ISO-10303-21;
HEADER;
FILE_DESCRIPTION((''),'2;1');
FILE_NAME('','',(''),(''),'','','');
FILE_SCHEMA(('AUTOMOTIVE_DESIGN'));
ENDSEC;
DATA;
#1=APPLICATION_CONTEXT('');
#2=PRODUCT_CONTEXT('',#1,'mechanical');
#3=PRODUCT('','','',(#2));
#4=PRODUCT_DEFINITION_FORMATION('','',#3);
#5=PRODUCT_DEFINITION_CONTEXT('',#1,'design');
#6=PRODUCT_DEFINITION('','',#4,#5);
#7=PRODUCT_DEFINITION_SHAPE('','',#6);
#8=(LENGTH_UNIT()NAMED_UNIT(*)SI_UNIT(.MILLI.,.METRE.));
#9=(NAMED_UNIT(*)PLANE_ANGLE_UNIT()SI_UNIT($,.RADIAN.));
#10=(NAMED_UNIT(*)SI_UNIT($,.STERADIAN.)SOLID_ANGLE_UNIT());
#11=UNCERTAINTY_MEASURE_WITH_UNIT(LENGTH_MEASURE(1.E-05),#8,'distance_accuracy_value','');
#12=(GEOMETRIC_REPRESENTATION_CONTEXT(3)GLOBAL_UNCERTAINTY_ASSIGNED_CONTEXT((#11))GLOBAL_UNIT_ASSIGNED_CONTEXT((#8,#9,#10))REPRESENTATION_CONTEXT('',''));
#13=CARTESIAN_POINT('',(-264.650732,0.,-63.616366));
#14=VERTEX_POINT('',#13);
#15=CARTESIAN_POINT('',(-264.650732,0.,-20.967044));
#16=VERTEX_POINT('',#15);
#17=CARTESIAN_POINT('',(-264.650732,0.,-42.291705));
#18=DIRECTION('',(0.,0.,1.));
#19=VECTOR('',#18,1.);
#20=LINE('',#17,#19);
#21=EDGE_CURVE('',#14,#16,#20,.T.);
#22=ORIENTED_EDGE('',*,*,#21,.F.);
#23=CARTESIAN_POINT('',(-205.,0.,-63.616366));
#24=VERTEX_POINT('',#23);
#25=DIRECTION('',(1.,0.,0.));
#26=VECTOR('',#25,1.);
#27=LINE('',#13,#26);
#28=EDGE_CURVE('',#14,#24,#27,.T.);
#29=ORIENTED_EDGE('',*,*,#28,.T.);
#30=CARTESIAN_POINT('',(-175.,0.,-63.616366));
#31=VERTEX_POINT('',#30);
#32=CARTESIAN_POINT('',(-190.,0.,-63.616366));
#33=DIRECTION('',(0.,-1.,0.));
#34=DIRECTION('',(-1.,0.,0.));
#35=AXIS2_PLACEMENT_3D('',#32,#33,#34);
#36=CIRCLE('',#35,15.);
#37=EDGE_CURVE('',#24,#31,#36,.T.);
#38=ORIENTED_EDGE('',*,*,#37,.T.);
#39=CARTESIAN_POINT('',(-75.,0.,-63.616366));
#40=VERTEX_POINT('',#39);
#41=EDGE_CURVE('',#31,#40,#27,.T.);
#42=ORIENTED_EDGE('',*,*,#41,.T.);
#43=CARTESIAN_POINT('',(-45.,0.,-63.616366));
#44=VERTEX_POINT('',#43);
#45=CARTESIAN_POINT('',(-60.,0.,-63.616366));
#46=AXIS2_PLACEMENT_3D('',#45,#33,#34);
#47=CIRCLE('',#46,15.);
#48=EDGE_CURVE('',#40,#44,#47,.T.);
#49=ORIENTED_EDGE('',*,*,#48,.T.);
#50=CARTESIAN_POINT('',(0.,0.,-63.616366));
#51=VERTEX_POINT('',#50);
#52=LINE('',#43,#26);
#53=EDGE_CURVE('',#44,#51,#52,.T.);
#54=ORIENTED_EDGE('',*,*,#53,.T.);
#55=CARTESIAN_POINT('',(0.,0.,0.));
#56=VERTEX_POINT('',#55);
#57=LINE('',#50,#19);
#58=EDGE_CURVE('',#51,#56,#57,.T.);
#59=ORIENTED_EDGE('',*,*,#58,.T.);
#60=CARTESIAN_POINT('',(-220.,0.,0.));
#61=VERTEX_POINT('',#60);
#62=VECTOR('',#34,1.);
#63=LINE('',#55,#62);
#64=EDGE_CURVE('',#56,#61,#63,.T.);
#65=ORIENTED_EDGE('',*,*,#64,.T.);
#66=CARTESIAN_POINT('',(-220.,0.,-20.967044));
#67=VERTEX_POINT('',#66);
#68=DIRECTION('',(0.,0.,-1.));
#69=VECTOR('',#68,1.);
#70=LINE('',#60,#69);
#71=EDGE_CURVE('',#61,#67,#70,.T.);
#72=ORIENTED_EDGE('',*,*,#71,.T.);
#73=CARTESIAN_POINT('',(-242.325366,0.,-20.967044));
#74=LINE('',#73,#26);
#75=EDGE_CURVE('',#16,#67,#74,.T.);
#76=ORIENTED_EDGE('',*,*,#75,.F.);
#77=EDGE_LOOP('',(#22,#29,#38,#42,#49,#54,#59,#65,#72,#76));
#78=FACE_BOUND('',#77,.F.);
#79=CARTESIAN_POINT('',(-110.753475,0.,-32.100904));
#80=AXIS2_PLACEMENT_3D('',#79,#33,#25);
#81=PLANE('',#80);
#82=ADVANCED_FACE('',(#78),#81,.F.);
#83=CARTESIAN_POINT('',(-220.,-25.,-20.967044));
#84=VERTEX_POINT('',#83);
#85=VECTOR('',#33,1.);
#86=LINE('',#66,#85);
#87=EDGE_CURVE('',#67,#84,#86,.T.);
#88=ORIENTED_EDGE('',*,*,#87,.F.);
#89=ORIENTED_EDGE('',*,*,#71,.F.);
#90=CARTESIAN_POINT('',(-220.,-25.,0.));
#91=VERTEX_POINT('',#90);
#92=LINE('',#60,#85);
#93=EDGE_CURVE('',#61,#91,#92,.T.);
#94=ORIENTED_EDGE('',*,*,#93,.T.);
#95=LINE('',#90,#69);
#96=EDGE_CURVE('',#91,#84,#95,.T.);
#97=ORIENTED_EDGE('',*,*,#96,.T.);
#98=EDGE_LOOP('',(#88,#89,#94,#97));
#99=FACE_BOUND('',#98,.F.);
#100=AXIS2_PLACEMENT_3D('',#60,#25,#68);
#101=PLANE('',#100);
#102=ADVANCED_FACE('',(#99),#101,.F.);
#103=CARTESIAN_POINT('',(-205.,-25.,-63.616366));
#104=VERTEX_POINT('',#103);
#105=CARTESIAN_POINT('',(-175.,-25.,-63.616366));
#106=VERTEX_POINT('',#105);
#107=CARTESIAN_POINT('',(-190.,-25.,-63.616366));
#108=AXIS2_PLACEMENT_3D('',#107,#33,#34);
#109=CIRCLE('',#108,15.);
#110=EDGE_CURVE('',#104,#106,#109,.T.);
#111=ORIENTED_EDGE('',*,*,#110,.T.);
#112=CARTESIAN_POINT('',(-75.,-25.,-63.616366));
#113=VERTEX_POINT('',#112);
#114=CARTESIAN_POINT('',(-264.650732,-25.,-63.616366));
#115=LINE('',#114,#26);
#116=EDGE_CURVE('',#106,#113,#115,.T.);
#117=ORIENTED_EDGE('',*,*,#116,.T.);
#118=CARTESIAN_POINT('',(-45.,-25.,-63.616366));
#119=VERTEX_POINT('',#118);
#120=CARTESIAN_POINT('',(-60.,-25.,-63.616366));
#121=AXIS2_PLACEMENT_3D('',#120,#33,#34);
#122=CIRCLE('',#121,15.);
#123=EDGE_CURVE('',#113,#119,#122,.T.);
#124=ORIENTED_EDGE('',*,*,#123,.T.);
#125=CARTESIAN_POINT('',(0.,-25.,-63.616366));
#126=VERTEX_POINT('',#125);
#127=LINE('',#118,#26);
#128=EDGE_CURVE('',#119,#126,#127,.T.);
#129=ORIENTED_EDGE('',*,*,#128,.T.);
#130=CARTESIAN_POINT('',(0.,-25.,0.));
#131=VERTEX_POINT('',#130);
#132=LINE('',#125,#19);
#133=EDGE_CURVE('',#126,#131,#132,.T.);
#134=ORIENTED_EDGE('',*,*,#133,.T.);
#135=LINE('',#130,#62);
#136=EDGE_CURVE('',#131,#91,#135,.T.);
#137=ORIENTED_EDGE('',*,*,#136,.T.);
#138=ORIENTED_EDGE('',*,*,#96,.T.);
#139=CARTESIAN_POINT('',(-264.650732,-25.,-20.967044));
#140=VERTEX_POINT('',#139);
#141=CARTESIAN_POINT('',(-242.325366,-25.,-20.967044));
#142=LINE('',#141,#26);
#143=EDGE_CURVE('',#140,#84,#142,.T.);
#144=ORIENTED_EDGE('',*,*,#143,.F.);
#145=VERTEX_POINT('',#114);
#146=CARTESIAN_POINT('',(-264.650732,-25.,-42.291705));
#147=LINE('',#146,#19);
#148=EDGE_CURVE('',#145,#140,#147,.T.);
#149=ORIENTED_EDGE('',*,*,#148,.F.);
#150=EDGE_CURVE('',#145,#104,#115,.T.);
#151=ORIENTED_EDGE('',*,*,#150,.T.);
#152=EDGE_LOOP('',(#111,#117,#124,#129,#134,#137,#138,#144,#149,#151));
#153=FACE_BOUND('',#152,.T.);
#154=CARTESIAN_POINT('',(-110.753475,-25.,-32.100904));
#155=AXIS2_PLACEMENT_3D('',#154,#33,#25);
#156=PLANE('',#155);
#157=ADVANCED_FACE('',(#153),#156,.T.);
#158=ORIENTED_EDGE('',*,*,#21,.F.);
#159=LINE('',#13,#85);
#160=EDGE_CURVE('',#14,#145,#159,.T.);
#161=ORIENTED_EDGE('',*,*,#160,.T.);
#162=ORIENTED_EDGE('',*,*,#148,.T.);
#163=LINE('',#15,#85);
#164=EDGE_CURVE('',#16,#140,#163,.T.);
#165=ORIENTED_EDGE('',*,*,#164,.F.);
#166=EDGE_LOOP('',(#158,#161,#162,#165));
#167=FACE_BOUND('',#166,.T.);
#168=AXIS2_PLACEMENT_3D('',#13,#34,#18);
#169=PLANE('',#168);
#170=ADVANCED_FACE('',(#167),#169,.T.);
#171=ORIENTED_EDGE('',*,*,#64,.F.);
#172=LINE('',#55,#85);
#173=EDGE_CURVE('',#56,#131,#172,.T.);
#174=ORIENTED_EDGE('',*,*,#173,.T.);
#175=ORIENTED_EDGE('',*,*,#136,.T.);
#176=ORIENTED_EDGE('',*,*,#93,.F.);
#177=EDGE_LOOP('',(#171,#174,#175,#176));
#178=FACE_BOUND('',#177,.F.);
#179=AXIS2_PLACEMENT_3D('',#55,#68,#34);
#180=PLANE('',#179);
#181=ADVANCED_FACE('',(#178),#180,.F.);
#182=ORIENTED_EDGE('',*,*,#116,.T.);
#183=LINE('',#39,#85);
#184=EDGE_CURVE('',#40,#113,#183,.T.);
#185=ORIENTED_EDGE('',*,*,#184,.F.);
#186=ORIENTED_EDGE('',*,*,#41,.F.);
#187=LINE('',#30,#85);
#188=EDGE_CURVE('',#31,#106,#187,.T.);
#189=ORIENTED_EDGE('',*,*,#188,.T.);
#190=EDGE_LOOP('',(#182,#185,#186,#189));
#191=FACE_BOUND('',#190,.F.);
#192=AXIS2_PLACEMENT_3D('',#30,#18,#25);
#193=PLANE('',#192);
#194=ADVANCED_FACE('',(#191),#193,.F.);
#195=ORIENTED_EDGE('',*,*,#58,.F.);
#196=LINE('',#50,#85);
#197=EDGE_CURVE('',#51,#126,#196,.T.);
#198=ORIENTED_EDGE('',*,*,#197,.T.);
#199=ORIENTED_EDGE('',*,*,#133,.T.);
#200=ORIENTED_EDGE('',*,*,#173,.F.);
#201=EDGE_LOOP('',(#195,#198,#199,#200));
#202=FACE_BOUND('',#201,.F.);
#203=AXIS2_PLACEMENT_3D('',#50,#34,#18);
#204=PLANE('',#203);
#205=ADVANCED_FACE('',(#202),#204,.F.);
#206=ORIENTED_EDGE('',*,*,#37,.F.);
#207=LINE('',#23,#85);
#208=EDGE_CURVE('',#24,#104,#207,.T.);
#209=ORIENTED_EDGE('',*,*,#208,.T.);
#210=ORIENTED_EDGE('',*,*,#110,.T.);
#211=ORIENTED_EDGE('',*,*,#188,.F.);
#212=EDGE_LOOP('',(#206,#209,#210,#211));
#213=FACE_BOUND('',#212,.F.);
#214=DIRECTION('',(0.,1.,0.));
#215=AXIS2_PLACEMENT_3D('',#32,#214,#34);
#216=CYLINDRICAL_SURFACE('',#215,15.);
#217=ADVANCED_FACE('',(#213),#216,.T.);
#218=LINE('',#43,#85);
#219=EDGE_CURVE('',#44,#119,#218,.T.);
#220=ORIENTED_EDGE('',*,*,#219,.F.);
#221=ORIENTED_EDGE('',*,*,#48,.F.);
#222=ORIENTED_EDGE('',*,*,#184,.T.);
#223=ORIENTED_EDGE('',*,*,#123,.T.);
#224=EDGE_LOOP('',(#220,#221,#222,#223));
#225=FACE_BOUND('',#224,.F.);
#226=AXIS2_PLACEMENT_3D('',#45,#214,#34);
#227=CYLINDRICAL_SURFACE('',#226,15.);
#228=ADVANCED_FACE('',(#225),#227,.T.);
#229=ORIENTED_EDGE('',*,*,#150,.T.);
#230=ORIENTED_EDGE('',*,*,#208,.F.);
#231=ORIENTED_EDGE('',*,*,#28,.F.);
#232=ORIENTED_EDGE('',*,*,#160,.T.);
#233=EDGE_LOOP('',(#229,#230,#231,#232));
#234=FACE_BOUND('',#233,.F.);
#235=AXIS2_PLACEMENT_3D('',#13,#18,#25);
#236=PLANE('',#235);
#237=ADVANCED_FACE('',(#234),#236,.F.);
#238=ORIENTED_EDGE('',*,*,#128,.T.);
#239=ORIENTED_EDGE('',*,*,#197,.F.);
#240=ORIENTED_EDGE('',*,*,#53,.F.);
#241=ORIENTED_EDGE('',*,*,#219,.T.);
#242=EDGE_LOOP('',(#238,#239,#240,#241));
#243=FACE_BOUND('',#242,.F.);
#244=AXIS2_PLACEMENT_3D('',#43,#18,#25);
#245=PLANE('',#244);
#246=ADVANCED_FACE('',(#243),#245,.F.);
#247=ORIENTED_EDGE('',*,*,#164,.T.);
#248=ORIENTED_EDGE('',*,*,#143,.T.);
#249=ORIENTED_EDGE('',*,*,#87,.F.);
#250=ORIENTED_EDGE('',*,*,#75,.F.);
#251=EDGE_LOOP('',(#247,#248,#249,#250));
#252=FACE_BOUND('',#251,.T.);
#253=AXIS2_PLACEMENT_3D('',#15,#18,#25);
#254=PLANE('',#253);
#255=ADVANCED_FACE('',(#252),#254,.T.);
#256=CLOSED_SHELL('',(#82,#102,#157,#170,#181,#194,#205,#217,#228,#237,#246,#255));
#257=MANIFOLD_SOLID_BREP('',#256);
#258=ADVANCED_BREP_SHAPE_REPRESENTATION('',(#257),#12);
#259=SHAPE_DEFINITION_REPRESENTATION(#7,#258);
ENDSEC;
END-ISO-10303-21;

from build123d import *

# Parameters (mm, degrees)
F0_W     = 44.6507322788
F0_H     = 42.6493223691
F1_DEPTH = 25


with BuildPart() as f1:
    # F0 (on Front) → F1 (new body)
    with BuildSketch(Plane.XZ):
        with BuildLine():
            Line((0, -63.6163663053), (0, 0))
            Line((0, 0), (-220, 0))
            Line((-220, 0), (-220, -20.9670439363))
            Line((-220, -20.9670439363), (-220, -63.6163663053))
            Line((-220, -63.6163663053), (-205, -63.6163663053))
            ThreePointArc((-205, -63.6163663053), (-190, -48.6163663053), (-175, -63.6163663053))
            Line((-175, -63.6163663053), (-75, -63.6163663053))
            ThreePointArc((-75, -63.6163663053), (-60, -48.6163663053), (-45, -63.6163663053))
            Line((-45, -63.6163663053), (0, -63.6163663053))
        make_face()
        with Locations((-242.3253661394, -42.2917051208)):
            Rectangle(F0_W, F0_H)
        with BuildLine():
            ThreePointArc((-75, -63.6163663053), (-60, -78.6163663053), (-45, -63.6163663053))
            Line((-45, -63.6163663053), (-75, -63.6163663053))
        make_face()
        with BuildLine():
            Line((-75, -63.6163663053), (-45, -63.6163663053))
            ThreePointArc((-45, -63.6163663053), (-60, -48.6163663053), (-75, -63.6163663053))
        make_face()
        with BuildLine():
            ThreePointArc((-175, -63.6163663053), (-190, -48.6163663053), (-205, -63.6163663053))
            Line((-205, -63.6163663053), (-175, -63.6163663053))
        make_face()
        with BuildLine():
            Line((-175, -63.6163663053), (-205, -63.6163663053))
            ThreePointArc((-205, -63.6163663053), (-190, -78.6163663053), (-175, -63.6163663053))
        make_face()
    extrude(amount=F1_DEPTH)


solid = f1.part
